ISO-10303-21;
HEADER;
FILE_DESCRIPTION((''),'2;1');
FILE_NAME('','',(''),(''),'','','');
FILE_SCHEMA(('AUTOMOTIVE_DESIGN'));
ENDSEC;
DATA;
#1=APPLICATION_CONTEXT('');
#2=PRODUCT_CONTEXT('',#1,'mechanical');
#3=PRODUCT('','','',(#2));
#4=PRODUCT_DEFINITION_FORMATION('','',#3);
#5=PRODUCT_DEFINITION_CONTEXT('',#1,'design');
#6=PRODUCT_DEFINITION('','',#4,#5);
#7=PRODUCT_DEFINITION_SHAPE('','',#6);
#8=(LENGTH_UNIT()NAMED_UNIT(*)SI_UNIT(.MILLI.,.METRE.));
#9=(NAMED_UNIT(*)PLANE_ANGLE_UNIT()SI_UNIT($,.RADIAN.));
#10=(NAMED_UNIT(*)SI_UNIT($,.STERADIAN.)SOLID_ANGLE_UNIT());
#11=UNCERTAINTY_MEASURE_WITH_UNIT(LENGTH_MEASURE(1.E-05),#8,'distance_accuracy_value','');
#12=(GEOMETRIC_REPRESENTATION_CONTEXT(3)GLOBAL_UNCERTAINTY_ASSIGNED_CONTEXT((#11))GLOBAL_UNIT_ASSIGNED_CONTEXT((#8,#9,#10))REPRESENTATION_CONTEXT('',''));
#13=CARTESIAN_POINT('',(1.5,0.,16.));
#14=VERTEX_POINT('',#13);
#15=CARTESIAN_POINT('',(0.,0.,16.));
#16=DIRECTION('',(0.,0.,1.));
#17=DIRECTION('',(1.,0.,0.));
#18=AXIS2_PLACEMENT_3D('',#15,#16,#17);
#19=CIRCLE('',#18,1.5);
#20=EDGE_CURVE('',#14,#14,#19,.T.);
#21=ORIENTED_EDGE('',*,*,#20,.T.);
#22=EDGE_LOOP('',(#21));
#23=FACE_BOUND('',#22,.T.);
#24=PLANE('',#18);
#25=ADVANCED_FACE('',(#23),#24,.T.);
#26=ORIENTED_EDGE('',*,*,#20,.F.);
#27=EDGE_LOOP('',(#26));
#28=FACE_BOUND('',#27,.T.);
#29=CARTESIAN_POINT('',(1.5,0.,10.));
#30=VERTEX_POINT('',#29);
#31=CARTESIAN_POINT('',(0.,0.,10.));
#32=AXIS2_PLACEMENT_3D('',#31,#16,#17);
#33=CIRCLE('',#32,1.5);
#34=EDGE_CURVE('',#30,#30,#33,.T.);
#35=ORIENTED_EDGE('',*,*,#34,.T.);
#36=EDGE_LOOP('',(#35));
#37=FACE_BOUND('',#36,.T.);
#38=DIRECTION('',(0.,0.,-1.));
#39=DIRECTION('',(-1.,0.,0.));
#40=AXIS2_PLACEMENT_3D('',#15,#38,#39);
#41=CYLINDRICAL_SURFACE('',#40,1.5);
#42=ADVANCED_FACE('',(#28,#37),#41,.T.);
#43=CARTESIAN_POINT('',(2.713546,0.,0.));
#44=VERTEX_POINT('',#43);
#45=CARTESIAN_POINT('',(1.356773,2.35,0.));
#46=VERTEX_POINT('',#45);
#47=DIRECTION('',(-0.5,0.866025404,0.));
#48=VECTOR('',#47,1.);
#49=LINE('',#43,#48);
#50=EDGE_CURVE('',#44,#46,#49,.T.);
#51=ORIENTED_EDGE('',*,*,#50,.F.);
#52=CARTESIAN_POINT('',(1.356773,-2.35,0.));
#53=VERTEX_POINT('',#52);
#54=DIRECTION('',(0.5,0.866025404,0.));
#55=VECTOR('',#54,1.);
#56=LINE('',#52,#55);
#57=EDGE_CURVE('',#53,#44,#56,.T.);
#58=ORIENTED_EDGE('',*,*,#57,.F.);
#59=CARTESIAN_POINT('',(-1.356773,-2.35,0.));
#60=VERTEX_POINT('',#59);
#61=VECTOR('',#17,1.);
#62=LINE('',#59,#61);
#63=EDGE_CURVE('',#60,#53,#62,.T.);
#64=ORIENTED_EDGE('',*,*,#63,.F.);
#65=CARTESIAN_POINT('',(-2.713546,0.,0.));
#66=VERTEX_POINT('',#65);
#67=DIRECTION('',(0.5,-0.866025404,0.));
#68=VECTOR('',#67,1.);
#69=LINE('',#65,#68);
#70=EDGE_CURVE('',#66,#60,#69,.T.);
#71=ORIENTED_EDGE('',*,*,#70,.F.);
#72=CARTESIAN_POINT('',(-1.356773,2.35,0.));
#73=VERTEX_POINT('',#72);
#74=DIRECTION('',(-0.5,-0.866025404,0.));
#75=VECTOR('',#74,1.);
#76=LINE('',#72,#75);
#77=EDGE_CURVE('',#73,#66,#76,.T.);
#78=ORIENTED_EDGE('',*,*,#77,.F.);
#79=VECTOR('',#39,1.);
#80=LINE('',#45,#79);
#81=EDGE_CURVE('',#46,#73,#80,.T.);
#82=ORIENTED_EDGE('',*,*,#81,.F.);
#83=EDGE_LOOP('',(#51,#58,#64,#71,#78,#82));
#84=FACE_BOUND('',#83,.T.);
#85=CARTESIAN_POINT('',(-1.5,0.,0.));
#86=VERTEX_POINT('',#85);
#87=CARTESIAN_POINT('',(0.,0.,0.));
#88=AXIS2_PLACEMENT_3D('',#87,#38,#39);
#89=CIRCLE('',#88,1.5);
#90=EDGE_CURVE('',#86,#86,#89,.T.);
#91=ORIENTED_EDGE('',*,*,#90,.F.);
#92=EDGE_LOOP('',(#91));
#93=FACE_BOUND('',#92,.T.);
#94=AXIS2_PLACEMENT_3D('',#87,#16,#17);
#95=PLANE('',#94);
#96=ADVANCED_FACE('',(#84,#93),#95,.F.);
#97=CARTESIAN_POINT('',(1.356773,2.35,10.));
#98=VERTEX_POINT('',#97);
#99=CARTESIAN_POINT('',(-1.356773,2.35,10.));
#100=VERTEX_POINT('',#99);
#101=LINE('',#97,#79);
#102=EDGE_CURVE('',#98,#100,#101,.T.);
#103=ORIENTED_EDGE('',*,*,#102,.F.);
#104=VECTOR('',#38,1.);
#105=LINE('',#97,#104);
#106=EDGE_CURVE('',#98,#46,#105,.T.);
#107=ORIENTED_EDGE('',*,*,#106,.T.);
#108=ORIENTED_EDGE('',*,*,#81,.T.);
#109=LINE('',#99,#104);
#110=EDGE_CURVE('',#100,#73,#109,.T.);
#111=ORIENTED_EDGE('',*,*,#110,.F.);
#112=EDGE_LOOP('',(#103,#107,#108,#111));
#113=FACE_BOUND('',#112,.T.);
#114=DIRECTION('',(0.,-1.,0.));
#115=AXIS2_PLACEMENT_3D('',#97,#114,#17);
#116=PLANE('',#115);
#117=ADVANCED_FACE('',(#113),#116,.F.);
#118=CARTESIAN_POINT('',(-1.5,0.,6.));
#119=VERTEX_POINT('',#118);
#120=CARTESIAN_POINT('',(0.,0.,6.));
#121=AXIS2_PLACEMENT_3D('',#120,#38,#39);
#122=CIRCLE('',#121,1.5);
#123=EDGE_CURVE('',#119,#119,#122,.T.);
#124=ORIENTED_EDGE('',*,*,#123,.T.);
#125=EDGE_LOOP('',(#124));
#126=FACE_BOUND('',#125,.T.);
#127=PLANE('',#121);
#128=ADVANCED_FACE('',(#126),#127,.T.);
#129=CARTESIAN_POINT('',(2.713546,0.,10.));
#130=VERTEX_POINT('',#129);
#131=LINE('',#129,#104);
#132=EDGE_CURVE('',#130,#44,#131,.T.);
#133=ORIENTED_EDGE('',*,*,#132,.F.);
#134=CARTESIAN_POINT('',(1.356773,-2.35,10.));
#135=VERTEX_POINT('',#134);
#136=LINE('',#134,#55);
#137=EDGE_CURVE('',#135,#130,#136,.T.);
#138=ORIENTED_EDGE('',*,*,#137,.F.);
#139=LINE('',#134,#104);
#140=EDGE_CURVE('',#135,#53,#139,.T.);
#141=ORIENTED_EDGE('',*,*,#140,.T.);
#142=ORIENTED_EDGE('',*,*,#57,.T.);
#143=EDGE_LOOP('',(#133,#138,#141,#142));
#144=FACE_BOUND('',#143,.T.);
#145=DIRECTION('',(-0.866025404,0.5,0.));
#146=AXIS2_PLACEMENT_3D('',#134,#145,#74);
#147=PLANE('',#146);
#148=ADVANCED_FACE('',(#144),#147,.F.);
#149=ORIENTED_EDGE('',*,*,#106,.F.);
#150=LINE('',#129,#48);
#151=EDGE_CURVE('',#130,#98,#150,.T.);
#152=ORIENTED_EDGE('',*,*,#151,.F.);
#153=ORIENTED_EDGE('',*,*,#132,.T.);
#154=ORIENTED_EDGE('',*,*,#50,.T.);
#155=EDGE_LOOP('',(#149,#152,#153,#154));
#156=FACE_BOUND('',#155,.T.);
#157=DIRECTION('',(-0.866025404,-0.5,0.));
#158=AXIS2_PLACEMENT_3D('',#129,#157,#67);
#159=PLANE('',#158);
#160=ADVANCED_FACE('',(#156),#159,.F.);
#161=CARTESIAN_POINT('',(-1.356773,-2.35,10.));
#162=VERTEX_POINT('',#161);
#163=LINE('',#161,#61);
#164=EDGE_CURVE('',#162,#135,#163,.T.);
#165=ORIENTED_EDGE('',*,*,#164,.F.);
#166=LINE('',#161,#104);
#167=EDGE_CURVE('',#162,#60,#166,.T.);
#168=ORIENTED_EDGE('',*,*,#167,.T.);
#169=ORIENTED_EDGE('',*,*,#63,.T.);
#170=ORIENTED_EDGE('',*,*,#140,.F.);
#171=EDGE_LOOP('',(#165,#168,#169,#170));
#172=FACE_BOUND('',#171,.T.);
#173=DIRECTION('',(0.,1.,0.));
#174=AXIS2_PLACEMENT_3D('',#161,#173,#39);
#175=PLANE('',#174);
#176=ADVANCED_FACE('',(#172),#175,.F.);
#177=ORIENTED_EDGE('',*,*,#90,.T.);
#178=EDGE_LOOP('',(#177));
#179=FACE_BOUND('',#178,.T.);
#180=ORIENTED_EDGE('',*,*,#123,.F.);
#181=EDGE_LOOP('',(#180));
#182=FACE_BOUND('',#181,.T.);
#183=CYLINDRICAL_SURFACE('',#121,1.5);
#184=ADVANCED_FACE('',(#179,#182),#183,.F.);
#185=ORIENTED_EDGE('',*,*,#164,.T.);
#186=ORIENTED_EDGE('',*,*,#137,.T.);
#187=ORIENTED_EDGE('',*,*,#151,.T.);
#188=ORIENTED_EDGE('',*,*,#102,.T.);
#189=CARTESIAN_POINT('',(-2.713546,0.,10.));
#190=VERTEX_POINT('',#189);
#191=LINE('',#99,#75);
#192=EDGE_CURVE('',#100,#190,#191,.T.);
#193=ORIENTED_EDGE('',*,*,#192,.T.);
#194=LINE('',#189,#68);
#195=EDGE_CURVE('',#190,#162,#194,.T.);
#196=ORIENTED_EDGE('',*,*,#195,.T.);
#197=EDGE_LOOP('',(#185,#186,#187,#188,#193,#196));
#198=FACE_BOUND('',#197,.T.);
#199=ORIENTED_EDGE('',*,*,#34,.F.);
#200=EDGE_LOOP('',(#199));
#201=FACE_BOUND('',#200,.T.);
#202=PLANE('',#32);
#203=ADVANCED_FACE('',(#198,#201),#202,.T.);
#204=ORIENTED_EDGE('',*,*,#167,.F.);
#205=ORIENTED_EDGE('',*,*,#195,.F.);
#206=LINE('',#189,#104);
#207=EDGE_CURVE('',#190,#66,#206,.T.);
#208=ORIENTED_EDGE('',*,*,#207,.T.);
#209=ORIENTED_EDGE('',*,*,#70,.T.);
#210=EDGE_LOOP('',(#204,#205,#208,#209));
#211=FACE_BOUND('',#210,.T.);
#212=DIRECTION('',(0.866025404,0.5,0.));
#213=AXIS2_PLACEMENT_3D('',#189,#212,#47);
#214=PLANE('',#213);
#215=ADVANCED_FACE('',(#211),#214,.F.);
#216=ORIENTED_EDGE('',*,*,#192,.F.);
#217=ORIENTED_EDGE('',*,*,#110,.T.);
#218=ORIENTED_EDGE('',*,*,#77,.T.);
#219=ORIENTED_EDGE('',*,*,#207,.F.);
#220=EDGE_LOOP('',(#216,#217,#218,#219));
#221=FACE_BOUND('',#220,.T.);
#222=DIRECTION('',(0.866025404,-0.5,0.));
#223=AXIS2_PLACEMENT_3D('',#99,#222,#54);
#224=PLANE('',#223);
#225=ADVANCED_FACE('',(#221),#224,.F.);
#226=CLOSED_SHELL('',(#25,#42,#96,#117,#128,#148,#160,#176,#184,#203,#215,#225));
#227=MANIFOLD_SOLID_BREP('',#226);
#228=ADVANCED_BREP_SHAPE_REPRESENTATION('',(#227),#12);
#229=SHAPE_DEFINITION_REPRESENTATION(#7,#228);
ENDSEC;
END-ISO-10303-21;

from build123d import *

# Parameters (mm, degrees)
EXTRUDE_1_DEPTH     = 10
SKETCH_2_R          = 1.5
EXTRUDE_2_DEPTH     = 6
SKETCH_3_R          = 1.5
CUT_EXTRUDE_1_DEPTH = 6


with BuildPart() as part:
    # 草图1 → 凸台-拉伸1 (new body)
    with BuildSketch(Plane.XY):
        Polygon((2.713546265, 0), (1.356773133, 2.35), (-1.356773133, 2.35), (-2.713546265, 0), (-1.356773133, -2.35), (1.356773133, -2.35), align=None)
    extrude(amount=EXTRUDE_1_DEPTH)

    # 草图2 → 凸台-拉伸2 (add)
    with BuildSketch(Plane.XY.offset(10)):
        Circle(SKETCH_2_R)
    extrude(amount=EXTRUDE_2_DEPTH)

    # 草图3 → 切除-拉伸1 (cut)
    with BuildSketch(Plane(origin=(0, 0, 0), x_dir=(-1, 0, 0), z_dir=(0, 0, -1))):
        with Locations(Location((0, 0, 0), (0, 0, 180))):
            Circle(SKETCH_3_R)
    extrude(amount=-CUT_EXTRUDE_1_DEPTH, mode=Mode.SUBTRACT)


solid = part.part
